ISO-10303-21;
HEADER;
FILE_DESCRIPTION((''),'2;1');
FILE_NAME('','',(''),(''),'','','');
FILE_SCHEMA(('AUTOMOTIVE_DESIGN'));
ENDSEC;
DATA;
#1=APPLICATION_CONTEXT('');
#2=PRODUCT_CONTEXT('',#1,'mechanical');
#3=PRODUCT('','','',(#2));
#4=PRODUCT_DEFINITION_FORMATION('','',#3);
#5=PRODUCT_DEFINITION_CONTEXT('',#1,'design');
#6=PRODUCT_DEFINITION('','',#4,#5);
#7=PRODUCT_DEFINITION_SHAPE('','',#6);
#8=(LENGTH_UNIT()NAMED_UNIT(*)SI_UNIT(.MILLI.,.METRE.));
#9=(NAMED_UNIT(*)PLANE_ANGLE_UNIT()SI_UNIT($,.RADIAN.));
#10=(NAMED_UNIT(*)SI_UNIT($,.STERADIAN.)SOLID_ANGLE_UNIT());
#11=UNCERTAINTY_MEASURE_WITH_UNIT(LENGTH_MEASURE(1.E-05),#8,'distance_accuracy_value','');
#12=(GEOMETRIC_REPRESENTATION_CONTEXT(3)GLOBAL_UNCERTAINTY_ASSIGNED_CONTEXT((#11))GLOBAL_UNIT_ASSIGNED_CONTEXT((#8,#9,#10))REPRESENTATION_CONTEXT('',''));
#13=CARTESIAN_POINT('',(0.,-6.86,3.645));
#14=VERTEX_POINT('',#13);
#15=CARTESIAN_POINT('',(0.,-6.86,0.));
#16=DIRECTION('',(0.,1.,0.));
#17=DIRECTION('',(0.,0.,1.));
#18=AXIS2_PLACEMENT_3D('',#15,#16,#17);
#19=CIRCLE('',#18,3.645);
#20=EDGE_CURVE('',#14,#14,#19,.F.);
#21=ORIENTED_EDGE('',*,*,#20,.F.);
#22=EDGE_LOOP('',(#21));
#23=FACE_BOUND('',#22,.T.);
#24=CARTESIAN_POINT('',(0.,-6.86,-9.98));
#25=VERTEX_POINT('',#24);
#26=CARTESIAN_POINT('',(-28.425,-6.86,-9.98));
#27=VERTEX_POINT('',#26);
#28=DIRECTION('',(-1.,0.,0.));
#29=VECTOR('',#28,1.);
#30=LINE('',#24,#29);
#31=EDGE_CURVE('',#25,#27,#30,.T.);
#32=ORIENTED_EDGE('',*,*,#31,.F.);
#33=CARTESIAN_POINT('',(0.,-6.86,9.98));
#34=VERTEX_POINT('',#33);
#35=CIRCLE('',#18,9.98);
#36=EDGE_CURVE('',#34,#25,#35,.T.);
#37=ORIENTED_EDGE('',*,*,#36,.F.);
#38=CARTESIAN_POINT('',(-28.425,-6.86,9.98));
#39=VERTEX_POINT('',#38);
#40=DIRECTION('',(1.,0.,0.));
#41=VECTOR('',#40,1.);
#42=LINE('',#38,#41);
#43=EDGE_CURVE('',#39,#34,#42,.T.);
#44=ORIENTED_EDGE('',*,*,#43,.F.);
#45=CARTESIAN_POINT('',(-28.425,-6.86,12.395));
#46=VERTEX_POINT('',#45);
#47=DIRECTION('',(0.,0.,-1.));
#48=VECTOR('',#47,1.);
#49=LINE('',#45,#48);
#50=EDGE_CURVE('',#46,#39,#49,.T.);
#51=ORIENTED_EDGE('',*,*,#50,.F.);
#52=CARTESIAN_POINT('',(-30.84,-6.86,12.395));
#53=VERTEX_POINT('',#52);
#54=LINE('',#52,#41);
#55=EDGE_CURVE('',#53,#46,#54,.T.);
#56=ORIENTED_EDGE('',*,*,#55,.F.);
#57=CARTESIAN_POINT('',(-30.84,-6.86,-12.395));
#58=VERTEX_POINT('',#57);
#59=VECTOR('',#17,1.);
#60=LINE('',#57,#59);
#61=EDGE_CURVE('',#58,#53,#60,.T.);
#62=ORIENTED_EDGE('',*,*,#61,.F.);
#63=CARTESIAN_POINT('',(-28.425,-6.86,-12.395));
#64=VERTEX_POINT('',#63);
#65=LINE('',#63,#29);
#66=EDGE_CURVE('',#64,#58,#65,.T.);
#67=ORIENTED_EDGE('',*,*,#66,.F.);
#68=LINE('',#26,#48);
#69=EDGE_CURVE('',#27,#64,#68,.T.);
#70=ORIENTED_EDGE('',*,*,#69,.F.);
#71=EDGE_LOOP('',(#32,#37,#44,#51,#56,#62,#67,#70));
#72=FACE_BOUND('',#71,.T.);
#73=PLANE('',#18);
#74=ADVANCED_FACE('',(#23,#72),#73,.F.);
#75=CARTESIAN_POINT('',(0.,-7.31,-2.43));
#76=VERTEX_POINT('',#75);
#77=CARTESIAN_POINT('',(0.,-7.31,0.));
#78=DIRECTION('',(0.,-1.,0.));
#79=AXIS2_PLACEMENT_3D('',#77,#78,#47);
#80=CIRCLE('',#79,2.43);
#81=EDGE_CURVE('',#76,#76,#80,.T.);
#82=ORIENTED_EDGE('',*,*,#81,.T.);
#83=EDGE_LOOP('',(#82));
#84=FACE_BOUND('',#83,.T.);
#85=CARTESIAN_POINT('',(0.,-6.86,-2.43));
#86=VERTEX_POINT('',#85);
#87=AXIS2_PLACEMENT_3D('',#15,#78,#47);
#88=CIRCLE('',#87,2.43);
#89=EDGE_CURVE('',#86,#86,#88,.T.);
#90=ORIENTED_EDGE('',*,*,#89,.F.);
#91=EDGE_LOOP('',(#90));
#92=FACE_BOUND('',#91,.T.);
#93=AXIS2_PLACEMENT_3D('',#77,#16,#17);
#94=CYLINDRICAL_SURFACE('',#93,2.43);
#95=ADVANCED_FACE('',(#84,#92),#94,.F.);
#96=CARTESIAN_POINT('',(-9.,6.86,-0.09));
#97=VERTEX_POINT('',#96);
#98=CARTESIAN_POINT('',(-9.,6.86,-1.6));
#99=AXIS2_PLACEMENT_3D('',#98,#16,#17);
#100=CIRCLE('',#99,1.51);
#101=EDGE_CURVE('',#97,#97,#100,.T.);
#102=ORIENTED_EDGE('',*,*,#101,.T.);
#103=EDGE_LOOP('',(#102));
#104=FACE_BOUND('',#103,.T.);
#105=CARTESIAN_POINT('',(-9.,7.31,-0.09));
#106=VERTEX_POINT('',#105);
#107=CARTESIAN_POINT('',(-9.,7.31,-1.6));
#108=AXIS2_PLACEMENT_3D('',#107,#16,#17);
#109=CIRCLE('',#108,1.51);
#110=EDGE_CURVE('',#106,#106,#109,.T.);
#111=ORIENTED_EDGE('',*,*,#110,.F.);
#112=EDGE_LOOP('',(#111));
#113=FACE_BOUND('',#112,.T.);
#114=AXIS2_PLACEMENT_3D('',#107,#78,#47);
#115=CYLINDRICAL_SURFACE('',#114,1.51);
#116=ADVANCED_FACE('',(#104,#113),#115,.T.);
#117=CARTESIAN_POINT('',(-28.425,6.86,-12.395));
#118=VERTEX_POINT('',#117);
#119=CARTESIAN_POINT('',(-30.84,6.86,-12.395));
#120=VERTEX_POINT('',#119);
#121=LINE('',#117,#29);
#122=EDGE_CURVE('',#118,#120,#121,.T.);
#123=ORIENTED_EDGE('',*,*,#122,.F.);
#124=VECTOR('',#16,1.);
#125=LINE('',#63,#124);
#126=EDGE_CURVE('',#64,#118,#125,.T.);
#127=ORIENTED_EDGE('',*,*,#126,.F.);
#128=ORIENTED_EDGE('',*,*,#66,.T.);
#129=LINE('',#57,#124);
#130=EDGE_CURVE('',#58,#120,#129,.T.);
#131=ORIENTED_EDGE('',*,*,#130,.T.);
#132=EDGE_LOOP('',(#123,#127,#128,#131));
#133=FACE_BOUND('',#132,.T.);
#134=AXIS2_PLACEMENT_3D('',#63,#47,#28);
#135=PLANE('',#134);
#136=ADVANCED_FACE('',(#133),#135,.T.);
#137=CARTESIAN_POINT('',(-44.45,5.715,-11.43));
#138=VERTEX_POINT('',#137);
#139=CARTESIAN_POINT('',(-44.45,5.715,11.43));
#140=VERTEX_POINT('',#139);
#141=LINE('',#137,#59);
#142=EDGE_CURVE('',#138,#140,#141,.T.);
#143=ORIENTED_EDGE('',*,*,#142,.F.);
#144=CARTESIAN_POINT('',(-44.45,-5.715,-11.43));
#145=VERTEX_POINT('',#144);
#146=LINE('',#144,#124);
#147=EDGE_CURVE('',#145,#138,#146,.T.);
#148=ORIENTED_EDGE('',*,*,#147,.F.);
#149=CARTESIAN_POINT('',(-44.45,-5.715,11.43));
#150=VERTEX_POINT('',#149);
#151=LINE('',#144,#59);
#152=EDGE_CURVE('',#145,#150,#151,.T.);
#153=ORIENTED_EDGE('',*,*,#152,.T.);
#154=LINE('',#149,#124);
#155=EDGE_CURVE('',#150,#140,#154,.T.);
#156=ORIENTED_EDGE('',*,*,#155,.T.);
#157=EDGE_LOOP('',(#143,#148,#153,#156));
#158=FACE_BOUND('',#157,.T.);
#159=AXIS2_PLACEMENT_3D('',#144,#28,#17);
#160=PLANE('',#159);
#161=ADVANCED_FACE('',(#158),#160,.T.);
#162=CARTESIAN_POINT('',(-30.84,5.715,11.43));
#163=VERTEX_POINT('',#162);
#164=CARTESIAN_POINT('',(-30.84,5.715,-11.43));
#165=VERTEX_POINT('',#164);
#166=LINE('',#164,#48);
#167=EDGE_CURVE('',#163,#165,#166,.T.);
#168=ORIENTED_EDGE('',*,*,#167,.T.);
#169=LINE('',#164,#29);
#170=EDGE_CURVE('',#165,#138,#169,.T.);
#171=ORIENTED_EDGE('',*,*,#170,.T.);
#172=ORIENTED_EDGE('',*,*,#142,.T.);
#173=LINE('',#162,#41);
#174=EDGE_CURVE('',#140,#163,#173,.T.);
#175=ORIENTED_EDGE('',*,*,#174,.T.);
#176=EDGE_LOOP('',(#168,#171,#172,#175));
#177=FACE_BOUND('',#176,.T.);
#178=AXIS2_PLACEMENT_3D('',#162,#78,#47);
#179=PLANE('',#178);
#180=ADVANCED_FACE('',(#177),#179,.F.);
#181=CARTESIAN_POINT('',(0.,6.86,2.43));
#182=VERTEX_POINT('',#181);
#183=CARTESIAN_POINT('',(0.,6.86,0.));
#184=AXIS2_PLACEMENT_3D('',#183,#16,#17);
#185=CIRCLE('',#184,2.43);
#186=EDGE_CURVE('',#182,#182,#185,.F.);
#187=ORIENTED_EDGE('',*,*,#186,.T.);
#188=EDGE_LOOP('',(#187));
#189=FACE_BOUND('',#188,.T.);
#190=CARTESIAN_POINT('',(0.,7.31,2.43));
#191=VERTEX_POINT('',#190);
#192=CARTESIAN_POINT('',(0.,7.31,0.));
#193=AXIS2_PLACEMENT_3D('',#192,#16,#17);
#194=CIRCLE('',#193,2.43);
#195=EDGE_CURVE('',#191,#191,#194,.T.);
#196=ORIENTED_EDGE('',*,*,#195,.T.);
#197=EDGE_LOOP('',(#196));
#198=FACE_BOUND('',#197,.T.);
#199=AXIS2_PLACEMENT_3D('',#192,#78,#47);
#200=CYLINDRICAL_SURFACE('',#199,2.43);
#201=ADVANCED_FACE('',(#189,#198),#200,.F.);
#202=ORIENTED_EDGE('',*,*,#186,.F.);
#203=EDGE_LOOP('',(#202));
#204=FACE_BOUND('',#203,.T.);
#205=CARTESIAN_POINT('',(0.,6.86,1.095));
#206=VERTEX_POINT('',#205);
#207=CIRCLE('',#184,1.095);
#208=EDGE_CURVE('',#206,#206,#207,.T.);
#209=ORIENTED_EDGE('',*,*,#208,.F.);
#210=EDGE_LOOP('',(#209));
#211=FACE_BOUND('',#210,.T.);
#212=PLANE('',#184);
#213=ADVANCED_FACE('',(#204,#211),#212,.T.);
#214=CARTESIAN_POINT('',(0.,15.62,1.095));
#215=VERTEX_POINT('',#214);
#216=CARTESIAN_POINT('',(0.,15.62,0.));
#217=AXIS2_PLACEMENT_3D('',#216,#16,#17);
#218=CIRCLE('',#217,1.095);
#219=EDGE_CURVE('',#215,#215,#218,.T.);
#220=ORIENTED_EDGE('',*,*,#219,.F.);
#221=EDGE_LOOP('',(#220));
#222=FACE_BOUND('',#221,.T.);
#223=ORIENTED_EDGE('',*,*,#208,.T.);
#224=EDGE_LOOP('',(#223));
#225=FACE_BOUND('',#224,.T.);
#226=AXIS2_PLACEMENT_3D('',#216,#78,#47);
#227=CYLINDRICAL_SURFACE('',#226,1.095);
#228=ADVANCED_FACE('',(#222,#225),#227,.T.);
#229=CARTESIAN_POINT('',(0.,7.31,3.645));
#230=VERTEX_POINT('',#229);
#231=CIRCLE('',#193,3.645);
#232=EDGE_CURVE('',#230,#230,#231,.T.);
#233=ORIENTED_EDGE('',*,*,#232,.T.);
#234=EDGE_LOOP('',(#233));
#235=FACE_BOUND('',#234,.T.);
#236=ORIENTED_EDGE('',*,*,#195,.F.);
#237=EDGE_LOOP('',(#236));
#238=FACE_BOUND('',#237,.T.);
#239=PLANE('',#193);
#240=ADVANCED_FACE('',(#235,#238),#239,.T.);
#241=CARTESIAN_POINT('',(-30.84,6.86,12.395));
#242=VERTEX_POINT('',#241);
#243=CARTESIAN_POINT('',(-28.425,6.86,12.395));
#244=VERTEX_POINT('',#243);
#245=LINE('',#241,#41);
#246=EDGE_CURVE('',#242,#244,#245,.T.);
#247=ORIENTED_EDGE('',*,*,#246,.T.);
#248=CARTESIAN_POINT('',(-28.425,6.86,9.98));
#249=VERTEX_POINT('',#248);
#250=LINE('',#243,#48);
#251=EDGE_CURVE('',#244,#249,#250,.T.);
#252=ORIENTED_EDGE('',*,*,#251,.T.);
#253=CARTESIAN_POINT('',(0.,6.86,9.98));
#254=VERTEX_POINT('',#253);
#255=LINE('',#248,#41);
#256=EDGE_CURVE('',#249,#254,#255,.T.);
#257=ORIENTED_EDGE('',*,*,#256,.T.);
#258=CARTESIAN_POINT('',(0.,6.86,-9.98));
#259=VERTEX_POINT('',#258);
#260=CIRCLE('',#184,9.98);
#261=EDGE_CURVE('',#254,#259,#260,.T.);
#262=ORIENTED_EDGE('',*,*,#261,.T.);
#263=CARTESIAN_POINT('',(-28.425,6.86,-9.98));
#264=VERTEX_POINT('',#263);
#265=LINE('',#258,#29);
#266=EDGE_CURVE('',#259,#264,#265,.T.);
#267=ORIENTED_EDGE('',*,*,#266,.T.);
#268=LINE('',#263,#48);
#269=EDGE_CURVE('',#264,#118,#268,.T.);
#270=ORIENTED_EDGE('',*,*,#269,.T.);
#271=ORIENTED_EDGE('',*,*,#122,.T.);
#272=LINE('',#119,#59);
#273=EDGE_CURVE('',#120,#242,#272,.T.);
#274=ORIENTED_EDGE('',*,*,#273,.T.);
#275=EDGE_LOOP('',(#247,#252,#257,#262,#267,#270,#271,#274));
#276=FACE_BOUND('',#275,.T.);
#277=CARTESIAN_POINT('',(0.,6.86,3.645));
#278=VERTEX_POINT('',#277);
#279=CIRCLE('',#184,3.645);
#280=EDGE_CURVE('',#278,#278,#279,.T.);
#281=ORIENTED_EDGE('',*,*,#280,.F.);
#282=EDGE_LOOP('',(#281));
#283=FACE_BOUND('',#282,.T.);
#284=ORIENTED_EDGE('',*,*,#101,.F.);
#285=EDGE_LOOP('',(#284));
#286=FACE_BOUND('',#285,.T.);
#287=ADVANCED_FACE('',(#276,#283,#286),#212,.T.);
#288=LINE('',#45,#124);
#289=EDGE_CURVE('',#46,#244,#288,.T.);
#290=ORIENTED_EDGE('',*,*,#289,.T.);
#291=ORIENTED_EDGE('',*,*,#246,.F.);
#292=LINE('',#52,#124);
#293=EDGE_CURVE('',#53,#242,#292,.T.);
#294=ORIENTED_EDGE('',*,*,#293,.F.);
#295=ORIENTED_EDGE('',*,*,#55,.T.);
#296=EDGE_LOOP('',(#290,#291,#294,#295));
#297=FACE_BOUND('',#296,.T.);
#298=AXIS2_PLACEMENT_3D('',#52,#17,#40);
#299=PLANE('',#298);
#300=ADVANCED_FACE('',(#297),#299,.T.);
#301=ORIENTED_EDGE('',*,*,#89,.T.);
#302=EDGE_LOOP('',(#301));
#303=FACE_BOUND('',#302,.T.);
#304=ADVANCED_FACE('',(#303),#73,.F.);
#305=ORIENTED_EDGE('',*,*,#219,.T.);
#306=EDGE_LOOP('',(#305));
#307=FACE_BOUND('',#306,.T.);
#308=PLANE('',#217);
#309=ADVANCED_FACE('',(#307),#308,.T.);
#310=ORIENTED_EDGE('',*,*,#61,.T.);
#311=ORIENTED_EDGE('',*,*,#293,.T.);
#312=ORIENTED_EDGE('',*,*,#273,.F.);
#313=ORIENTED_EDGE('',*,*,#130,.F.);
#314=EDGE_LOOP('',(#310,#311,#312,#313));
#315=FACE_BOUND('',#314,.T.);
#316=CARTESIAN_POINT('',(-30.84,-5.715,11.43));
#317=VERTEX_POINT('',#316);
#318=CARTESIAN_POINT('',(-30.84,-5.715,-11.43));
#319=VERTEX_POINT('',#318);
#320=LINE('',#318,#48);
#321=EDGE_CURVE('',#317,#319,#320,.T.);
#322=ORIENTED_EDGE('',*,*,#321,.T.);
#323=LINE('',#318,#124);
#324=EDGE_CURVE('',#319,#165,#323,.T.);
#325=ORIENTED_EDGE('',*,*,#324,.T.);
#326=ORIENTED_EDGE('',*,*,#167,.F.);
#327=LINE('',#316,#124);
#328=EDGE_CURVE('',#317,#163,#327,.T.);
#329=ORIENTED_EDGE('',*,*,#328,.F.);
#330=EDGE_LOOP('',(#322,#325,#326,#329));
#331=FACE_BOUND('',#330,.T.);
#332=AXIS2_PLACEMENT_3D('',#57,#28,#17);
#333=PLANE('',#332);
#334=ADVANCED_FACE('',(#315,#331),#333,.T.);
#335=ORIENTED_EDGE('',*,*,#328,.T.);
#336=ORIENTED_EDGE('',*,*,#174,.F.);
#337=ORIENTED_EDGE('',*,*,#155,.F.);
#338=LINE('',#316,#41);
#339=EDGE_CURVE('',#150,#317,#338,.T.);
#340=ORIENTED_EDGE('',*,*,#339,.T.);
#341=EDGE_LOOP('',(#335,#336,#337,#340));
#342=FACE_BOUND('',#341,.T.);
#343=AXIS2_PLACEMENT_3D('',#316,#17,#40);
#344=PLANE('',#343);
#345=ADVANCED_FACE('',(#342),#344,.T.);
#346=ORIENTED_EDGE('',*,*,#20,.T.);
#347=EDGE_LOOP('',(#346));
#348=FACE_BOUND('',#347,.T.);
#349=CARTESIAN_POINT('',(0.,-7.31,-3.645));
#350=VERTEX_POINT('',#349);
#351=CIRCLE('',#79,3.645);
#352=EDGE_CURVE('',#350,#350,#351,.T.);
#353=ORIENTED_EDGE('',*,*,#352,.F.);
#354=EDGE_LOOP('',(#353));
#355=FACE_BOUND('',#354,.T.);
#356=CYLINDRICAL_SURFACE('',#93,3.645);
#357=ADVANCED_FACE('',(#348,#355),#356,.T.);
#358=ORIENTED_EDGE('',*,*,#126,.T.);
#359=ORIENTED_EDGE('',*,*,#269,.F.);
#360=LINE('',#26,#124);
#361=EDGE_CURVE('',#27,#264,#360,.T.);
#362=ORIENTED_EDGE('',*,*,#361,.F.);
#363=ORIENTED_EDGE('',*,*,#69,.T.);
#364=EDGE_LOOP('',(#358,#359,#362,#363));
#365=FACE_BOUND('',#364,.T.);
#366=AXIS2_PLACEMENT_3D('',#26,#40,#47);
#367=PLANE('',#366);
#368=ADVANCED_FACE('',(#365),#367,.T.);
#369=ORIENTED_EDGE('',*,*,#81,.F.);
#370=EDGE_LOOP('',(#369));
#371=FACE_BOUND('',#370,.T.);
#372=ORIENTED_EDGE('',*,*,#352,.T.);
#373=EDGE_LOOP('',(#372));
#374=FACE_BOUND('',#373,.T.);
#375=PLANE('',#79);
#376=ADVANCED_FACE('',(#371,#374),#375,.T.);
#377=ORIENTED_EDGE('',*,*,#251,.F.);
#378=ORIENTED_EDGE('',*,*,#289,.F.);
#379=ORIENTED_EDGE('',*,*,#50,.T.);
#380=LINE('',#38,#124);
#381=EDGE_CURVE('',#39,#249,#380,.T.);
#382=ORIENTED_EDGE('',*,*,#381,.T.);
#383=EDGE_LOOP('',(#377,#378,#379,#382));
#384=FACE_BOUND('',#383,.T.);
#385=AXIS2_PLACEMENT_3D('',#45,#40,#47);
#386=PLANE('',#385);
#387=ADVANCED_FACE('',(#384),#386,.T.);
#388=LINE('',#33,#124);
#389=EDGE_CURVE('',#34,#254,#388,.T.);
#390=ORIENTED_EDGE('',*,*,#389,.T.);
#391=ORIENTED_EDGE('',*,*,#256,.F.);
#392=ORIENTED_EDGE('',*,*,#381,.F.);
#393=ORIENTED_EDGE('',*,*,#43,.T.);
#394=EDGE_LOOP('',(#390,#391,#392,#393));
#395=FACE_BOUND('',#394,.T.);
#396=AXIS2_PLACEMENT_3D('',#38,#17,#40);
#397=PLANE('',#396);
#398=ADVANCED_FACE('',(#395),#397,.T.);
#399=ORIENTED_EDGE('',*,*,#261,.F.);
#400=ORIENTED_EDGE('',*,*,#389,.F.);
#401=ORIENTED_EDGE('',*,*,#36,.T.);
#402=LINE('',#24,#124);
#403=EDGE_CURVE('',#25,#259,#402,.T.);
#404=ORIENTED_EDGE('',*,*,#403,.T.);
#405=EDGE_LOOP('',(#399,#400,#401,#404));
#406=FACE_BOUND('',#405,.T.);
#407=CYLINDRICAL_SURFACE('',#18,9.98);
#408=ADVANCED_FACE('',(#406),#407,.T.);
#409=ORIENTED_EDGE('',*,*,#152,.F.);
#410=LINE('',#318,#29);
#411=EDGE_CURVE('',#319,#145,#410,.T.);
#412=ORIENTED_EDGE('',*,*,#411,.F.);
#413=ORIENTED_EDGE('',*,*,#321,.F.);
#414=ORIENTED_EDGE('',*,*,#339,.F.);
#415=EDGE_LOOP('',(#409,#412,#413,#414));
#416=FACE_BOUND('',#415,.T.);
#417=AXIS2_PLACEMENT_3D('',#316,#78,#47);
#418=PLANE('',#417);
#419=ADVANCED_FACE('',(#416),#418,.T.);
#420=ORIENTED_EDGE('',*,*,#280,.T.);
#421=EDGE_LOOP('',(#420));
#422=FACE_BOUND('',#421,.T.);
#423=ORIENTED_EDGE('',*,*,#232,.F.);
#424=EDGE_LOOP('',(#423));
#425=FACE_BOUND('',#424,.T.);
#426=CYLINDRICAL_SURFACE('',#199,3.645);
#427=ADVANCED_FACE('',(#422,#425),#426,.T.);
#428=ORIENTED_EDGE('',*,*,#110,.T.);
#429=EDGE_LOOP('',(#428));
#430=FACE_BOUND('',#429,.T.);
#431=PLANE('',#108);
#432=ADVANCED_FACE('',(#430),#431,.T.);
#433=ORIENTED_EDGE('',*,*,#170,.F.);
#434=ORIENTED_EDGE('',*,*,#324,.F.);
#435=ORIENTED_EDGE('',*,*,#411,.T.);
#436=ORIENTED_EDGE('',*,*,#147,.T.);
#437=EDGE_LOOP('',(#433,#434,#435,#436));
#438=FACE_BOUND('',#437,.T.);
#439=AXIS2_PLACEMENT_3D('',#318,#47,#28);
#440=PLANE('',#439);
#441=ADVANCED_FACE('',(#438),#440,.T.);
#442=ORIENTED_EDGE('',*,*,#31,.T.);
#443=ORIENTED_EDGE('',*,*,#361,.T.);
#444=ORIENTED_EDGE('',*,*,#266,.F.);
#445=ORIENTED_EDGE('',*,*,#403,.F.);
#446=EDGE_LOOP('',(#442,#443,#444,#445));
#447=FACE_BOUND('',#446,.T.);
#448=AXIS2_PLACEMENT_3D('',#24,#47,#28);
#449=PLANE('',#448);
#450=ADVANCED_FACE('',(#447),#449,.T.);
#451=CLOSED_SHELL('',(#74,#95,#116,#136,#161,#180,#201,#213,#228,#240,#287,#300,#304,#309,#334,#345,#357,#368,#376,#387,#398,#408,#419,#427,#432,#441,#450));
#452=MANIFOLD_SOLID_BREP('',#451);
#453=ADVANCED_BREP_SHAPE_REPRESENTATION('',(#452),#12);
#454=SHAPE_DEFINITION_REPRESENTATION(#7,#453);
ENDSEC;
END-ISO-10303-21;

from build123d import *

# Parameters (mm, degrees)
GEAR_BOX_DEPTH      = 6.86
GEAR_BOX_DEPTH_BACK = 6.86
MOTOR_DEPTH         = 5.715
MOTOR_DEPTH_BACK    = 5.715
SKETCH2_W           = 13.61
SKETCH2_H           = 22.86
SKETCH3_R           = 1.51
SKETCH3_R_2         = 3.645
SKETCH3_R_3         = 2.43
SPACER_DEPTH        = 0.45
SPACER_BACK_START   = 0.45
SKETCH5_R           = 3.645
SKETCH5_R_2         = 2.43
SPACER_BACK_DEPTH   = 0.45
SKETCH4_R           = 1.095
OUTPUT_SHAFT_DEPTH  = 8.76


with BuildPart() as part:
    # Sketch1 → Gear Box (new, two sides: drawn at the far end of the back side and taken through both)
    with BuildSketch(Plane(origin=(0, 0, 0), x_dir=(1, 0, 0), z_dir=(0, 1, 0)).offset(-GEAR_BOX_DEPTH_BACK)):
        with BuildLine():
            Line((0, 9.98), (-28.425, 9.98))
            Line((-28.425, 9.98), (-28.425, 12.395))
            Line((-28.425, 12.395), (-30.84, 12.395))
            Line((-30.84, 12.395), (-30.84, -12.395))
            Line((-30.84, -12.395), (-28.425, -12.395))
            Line((-28.425, -12.395), (-28.425, -9.98))
            Line((-28.425, -9.98), (0, -9.98))
            ThreePointArc((0, -9.98), (9.98, 0), (0, 9.98))
        make_face()
    extrude(amount=GEAR_BOX_DEPTH + GEAR_BOX_DEPTH_BACK)

    # Sketch2 → Motor (add, two sides: drawn at the far end of the back side and taken through both)
    with BuildSketch(Plane(origin=(0, 0, 0), x_dir=(1, 0, 0), z_dir=(0, 1, 0)).offset(-MOTOR_DEPTH_BACK)):
        with Locations((-37.645, 0)):
            Rectangle(SKETCH2_W, SKETCH2_H)
    extrude(amount=MOTOR_DEPTH + MOTOR_DEPTH_BACK)

    # Sketch3 → Spacer (add)
    # profile 1 of 2: a face of its own
    with BuildSketch(Plane(origin=(0, 6.86, 0), x_dir=(1, 0, 0), z_dir=(0, 1, 0))):
        with Locations(Location((-9, 1.6, 0), (0, 0, 270))):
            Circle(SKETCH3_R)
    # profile 2 of 2: a face of its own
    with BuildSketch(Plane(origin=(0, 6.86, 0), x_dir=(1, 0, 0), z_dir=(0, 1, 0))):
        with Locations(Location((0, 0, 0), (0, 0, 270))):
            Circle(SKETCH3_R_2)
        with Locations(Location((0, 0, 0), (0, 0, 270))):
            Circle(SKETCH3_R_3, mode=Mode.SUBTRACT)
    extrude(amount=SPACER_DEPTH)

    # Sketch5 → Spacer(back) (add)
    with BuildSketch(Plane.XZ.offset(6.86).offset(SPACER_BACK_START)):
        with Locations(Location((0, 0, 0), (0, 0, 90))):
            Circle(SKETCH5_R)
        with Locations(Location((0, 0, 0), (0, 0, 90))):
            Circle(SKETCH5_R_2, mode=Mode.SUBTRACT)
    extrude(amount=-SPACER_BACK_DEPTH)

    # Sketch4 → Output Shaft (add)
    with BuildSketch(Plane(origin=(0, 6.86, 0), x_dir=(1, 0, 0), z_dir=(0, 1, 0))):
        with Locations(Location((0, 0, 0), (0, 0, 270))):
            Circle(SKETCH4_R)
    extrude(amount=OUTPUT_SHAFT_DEPTH)


solid = part.part
